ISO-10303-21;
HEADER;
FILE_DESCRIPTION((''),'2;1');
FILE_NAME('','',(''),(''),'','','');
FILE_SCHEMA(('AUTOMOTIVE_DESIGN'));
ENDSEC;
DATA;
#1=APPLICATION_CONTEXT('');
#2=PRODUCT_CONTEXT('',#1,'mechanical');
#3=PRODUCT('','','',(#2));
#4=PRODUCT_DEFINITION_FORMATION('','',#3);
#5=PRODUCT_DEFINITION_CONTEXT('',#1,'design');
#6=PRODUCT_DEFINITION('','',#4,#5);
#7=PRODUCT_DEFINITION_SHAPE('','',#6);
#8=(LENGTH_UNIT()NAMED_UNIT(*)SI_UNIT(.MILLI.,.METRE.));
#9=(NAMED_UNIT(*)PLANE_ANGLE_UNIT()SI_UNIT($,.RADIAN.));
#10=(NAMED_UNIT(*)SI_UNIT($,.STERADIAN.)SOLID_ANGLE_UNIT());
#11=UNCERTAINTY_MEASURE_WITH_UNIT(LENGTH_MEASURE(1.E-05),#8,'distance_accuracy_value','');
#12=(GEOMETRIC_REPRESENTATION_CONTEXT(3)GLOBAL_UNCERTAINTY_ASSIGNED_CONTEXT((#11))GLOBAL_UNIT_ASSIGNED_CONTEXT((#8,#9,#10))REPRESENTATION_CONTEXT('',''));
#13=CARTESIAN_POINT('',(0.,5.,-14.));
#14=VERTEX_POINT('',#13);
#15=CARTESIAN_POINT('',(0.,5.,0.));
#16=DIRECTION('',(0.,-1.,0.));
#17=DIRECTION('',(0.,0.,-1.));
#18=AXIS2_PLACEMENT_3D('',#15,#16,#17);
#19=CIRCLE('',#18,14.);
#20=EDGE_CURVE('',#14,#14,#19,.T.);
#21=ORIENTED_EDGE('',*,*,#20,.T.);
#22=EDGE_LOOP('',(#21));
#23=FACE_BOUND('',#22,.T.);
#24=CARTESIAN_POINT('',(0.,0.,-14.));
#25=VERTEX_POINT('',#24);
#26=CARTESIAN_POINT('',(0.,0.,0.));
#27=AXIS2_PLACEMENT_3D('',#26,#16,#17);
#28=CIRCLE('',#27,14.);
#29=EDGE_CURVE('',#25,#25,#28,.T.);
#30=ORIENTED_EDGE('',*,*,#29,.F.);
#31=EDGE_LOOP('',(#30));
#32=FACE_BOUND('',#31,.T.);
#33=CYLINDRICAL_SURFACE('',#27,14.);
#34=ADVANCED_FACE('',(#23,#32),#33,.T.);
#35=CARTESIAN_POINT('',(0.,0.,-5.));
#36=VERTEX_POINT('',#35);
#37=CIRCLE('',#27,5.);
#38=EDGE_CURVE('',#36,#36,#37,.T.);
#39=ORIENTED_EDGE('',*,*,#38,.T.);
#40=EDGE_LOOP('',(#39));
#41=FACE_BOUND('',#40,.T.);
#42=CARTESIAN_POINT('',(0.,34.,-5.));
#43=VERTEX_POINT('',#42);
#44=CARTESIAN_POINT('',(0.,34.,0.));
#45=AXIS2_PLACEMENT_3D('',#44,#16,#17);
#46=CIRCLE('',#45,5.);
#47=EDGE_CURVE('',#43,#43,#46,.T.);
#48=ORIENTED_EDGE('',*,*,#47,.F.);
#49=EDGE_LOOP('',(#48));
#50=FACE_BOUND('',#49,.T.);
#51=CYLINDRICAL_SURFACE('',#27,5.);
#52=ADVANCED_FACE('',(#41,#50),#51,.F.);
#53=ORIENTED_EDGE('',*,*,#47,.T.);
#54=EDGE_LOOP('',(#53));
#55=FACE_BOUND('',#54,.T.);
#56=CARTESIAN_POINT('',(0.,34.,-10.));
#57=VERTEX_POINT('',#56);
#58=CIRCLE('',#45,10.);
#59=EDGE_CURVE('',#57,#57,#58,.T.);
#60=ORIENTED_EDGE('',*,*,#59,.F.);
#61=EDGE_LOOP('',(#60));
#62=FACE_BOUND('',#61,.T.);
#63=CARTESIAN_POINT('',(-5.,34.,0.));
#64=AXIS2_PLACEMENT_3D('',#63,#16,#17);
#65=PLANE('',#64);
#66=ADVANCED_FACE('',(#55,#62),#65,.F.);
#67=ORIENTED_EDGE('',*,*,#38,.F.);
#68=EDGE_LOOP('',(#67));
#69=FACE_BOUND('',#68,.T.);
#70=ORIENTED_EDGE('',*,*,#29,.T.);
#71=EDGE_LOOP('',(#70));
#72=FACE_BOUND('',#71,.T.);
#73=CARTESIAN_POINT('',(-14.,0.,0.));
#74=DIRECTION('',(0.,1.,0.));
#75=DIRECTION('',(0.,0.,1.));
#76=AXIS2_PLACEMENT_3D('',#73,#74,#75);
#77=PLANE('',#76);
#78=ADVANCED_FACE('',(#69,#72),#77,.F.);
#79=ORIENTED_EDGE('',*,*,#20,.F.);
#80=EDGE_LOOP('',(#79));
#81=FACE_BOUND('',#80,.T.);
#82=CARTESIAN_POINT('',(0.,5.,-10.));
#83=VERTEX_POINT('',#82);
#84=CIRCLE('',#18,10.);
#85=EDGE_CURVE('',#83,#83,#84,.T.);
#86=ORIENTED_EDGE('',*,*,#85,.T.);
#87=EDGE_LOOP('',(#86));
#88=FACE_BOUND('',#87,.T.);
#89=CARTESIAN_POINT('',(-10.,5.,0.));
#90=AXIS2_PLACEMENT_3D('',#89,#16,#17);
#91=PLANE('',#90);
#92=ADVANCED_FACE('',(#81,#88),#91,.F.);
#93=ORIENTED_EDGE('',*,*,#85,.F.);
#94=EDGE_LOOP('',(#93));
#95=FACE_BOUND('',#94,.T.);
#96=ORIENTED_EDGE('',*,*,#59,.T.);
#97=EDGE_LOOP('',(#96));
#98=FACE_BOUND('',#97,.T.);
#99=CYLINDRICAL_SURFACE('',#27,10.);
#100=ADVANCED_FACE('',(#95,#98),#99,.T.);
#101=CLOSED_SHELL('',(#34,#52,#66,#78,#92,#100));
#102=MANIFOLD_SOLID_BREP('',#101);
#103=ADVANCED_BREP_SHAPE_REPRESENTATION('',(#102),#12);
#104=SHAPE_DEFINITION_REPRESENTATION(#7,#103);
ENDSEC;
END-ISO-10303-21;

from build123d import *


with BuildPart() as part:
    # Esquisse1 → Révolution1 (revolve)
    with BuildSketch(Plane.XY, mode=Mode.PRIVATE) as r_volution1_sk:
        Polygon((-5, 0), (-5, 34), (-10, 34), (-10, 5), (-14, 5), (-14, 0), align=None)
    revolve(r_volution1_sk.sketch.rotate(Axis((0, 0, 0), (0, 1, 0)), 270), axis=Axis((0, 0, 0), (0, 1, 0)))


solid = part.part
